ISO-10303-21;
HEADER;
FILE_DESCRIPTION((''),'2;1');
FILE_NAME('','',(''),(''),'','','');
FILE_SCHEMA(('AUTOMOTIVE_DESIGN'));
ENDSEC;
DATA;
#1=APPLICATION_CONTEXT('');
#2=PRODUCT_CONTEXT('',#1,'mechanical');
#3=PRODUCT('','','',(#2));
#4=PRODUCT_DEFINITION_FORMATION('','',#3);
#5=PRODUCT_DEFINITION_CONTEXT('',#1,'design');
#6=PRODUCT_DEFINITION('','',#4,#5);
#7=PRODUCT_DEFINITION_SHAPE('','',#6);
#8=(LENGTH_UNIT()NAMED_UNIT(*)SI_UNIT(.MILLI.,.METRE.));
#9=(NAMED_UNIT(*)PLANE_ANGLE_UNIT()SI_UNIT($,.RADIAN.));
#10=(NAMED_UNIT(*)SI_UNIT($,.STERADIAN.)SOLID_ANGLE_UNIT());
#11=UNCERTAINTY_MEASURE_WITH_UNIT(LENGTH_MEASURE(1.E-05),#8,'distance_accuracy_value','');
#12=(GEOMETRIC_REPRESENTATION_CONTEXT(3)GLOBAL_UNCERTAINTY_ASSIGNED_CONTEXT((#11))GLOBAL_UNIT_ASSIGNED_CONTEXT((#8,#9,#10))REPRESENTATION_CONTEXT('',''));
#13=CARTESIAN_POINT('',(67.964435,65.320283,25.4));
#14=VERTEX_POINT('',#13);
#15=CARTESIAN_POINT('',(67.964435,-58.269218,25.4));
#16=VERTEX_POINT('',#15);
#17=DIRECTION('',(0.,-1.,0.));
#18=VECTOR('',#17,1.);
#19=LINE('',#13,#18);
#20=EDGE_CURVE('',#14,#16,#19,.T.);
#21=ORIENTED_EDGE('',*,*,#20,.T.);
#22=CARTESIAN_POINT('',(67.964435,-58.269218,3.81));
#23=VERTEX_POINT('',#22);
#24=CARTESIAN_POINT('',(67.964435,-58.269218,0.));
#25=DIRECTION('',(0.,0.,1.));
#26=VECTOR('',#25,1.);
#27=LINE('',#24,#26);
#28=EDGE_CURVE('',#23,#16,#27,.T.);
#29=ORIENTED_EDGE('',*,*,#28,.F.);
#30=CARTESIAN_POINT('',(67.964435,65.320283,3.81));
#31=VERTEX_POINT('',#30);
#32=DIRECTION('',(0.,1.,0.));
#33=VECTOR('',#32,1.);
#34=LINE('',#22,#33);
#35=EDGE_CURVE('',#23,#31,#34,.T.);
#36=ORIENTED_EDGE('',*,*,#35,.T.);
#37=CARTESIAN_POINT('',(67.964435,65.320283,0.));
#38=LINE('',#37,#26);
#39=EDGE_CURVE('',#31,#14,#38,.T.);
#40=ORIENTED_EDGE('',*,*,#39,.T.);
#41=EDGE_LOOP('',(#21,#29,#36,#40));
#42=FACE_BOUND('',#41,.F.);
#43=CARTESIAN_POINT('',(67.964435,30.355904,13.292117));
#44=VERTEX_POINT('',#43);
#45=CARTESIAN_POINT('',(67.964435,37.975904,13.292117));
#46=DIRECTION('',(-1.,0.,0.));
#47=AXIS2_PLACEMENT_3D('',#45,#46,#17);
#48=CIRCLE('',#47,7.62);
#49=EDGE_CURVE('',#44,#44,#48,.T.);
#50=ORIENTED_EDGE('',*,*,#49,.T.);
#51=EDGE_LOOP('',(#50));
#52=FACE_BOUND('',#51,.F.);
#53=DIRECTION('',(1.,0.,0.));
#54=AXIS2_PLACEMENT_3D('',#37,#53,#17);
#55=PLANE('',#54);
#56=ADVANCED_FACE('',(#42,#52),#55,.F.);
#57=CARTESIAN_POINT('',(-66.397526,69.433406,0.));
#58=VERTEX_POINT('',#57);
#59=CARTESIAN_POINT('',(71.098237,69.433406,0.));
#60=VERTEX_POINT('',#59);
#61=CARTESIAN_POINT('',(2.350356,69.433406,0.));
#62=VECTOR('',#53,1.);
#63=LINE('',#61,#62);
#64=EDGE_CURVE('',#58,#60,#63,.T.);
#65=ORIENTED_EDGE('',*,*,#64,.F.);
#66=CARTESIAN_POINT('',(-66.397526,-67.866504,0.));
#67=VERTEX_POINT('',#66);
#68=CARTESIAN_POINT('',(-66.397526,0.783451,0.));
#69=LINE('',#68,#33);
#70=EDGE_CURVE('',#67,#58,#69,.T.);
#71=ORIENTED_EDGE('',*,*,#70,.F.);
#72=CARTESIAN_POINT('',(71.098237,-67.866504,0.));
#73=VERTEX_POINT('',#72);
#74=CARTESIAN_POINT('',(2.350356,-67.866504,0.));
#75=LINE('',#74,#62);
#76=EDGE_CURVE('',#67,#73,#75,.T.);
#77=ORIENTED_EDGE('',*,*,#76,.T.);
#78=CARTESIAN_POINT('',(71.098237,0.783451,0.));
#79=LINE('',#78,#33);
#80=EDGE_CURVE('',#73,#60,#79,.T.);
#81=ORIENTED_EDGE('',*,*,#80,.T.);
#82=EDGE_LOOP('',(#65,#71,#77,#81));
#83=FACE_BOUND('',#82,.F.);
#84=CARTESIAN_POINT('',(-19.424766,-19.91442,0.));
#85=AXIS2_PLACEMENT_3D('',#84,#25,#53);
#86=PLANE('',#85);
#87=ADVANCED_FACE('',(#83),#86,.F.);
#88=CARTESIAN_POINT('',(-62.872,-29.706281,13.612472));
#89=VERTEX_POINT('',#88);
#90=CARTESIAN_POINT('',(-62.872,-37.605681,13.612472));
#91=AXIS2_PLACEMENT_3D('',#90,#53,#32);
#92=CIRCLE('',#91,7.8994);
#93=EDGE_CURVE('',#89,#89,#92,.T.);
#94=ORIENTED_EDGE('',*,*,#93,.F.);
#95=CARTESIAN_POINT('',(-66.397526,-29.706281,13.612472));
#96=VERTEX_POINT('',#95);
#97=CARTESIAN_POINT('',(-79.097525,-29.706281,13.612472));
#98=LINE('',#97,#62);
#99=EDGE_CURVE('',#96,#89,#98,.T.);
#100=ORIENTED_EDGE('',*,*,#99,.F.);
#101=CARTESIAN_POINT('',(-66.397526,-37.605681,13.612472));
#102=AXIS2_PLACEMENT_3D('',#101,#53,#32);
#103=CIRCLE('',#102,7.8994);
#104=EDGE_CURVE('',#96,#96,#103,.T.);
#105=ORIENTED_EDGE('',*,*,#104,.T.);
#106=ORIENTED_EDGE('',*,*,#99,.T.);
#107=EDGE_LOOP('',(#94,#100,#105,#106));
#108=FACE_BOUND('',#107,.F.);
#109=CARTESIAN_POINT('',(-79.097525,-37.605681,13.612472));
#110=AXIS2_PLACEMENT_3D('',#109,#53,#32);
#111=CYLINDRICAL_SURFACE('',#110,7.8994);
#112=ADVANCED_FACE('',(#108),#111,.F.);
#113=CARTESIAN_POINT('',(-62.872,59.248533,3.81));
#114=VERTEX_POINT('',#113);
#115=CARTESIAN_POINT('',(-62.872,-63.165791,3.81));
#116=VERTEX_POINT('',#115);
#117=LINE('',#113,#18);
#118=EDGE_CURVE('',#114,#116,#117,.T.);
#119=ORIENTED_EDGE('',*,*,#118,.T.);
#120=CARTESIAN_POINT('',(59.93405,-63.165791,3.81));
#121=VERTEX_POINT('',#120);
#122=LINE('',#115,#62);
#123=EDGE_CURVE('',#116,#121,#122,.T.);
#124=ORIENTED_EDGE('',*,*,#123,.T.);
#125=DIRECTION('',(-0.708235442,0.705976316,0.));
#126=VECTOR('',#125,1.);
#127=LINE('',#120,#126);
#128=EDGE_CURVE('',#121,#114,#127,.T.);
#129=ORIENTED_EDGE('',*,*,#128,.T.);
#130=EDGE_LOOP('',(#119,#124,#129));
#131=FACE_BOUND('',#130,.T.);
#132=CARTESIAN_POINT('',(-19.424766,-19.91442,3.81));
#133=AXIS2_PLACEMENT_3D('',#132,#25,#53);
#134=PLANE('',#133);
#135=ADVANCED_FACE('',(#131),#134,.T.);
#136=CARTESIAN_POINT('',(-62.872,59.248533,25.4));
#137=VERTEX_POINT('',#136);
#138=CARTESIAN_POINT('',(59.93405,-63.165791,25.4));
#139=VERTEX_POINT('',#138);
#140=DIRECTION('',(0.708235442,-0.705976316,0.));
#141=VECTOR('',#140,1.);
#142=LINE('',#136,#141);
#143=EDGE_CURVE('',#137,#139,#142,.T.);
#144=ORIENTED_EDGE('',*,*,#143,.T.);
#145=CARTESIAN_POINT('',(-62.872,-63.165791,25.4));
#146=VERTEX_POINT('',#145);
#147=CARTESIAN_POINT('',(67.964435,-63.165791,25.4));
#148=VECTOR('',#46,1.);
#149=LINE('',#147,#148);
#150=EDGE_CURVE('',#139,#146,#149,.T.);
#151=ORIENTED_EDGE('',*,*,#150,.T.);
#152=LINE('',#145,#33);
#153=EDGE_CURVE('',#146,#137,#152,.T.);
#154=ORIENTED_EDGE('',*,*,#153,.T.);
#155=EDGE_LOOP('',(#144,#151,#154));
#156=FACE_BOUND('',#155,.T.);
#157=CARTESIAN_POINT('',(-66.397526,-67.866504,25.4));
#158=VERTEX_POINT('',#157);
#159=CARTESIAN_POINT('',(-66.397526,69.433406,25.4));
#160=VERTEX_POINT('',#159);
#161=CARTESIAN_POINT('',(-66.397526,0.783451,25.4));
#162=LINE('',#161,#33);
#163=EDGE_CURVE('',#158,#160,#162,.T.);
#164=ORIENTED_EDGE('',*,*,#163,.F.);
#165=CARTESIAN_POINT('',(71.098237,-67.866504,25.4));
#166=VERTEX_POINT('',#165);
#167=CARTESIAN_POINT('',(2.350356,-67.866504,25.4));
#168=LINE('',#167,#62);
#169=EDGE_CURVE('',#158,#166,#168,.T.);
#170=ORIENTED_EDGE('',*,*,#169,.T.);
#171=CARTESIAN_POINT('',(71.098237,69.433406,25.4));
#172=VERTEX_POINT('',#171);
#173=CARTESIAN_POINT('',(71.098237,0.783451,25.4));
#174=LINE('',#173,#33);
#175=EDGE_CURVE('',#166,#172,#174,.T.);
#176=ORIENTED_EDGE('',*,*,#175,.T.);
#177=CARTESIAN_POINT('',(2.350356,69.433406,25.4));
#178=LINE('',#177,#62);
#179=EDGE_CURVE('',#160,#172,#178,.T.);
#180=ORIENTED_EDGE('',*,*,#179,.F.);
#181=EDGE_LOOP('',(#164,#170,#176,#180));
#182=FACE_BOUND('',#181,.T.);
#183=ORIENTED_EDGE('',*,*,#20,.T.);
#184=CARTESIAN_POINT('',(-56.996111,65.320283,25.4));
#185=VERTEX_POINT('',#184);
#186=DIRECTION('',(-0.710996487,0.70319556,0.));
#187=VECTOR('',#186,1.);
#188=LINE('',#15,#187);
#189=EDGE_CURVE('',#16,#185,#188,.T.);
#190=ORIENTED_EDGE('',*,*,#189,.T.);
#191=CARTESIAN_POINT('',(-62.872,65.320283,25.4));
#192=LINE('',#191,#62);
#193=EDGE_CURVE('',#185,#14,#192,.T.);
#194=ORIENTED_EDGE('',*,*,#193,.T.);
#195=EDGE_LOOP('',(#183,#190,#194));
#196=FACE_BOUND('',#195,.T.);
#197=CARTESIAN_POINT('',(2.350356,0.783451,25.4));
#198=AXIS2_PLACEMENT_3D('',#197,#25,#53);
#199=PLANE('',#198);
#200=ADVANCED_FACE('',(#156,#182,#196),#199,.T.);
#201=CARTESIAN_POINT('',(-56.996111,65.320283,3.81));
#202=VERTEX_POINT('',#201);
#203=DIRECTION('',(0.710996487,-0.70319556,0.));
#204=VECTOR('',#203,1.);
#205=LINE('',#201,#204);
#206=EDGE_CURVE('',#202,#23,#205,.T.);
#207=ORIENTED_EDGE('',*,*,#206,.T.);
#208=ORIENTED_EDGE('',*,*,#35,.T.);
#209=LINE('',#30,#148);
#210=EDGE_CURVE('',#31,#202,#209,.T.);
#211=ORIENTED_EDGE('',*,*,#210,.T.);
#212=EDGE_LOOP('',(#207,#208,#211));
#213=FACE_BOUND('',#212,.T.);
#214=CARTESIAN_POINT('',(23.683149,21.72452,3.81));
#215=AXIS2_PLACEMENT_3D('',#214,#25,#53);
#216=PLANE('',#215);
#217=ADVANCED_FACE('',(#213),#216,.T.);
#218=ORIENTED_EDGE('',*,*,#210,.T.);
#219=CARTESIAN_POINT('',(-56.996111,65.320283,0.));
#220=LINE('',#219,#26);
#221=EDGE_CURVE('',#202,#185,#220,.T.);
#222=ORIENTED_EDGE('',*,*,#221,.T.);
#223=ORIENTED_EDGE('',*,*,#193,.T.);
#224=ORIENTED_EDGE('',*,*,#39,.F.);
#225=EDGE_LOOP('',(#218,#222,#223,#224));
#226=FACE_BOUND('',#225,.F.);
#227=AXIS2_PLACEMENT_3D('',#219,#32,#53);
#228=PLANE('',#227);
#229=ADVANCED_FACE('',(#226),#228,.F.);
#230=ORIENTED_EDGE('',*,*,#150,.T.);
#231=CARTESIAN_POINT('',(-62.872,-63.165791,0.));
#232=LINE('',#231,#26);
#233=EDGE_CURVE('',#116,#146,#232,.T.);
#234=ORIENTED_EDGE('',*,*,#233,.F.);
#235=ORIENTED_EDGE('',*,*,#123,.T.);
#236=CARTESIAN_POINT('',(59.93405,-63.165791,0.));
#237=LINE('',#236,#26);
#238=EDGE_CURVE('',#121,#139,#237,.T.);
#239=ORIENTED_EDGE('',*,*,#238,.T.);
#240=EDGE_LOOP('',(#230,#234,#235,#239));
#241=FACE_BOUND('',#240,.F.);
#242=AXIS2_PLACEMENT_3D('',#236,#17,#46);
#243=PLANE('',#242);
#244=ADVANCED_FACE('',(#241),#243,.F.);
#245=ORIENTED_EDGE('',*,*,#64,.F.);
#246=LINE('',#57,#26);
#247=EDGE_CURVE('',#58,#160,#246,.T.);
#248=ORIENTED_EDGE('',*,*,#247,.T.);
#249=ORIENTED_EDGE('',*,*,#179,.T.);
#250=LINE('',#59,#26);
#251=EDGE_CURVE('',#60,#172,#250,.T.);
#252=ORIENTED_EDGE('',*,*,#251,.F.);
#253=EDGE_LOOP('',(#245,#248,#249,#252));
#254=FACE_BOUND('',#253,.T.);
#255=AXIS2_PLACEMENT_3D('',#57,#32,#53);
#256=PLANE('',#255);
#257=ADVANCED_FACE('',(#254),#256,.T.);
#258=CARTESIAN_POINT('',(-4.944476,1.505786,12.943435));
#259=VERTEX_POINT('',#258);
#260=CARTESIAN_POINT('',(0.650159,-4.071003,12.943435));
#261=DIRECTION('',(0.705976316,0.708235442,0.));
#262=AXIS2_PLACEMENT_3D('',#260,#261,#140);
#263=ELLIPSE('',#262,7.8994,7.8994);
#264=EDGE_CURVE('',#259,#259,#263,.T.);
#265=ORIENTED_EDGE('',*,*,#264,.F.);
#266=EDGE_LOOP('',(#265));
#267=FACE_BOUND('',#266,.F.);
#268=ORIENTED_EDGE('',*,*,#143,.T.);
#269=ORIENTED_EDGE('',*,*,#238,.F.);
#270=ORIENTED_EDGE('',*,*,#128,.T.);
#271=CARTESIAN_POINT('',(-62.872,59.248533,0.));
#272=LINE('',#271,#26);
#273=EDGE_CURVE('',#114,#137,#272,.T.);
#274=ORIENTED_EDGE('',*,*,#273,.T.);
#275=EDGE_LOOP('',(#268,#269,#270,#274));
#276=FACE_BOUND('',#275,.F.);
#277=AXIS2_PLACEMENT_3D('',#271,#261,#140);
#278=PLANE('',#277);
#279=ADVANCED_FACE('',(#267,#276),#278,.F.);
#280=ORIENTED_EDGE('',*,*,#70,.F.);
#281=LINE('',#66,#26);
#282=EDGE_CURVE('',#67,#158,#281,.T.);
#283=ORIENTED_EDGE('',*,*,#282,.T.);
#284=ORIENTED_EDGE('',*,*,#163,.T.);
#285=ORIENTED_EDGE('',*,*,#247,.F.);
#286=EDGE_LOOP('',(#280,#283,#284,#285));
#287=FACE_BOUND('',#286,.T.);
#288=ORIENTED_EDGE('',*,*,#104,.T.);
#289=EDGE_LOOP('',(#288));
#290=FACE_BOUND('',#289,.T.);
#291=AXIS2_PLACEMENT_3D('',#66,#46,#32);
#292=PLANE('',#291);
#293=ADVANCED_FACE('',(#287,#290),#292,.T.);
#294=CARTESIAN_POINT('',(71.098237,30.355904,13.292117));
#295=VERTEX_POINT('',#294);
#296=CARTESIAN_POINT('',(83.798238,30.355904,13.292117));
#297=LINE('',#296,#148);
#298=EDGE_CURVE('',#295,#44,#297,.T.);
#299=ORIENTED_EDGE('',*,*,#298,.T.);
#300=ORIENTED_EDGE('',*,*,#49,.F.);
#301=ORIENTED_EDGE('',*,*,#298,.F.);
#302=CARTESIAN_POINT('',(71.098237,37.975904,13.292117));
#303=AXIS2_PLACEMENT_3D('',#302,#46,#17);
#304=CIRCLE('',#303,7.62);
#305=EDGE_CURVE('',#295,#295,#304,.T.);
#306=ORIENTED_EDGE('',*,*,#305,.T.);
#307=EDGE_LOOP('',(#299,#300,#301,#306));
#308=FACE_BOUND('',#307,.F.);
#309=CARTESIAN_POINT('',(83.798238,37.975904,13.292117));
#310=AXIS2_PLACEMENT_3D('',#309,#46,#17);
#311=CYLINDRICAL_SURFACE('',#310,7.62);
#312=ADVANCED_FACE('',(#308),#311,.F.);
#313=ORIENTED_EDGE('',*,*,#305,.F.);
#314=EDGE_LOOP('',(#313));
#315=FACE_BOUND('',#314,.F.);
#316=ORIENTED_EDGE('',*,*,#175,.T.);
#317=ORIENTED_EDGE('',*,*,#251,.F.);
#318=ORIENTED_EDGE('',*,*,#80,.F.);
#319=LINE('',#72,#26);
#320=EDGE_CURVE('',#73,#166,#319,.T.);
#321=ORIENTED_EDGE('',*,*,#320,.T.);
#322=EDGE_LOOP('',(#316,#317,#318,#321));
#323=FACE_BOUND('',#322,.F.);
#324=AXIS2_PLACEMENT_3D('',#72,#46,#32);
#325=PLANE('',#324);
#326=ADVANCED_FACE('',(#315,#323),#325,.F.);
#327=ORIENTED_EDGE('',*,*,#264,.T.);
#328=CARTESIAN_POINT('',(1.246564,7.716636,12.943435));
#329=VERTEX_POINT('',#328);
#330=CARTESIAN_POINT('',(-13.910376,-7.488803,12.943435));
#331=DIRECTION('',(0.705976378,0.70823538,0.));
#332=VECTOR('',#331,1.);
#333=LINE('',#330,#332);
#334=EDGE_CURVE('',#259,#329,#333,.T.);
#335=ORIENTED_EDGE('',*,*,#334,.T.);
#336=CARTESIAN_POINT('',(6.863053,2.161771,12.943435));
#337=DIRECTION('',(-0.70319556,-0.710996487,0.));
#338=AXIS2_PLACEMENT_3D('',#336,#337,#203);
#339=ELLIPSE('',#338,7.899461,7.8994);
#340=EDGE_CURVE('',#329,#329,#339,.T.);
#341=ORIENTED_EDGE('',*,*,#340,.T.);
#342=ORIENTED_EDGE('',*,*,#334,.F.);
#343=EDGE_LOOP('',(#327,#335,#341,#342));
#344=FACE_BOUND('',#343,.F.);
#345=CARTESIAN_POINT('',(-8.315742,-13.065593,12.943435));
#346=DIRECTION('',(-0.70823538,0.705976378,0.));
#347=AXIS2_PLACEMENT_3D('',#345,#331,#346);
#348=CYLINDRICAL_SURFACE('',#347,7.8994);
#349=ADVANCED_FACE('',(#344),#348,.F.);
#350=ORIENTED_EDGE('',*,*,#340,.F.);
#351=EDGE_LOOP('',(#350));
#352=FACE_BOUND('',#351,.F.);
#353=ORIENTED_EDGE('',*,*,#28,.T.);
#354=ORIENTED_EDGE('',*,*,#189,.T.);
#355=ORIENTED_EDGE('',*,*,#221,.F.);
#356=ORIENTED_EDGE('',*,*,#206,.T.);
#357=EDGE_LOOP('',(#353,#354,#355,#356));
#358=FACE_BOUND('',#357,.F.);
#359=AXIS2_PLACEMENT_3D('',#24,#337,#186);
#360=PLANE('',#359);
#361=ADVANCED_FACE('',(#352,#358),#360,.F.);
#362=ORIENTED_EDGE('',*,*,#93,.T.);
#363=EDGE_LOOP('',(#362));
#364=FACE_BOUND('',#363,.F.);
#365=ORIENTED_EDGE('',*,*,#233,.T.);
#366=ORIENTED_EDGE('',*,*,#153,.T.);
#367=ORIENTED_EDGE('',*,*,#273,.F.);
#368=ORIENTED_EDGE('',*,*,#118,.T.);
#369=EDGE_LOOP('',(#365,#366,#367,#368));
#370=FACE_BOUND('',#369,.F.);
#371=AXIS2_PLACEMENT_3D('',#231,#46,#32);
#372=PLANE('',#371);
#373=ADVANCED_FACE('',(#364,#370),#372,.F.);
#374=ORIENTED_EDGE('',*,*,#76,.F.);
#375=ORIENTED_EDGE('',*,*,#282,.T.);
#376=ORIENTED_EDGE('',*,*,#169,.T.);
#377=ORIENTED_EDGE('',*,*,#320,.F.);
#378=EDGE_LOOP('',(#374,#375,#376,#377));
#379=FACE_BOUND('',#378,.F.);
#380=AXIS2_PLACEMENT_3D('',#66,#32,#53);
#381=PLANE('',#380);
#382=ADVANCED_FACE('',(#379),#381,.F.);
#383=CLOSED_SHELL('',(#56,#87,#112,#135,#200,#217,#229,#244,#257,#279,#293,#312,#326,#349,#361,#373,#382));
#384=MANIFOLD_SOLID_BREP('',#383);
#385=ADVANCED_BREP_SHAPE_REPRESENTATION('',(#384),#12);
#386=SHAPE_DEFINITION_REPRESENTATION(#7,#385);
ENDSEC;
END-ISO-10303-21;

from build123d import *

# Parameters (mm, degrees)
F0_W     = 137.495763
F0_H     = 137.29991
F1_DEPTH = 25.4
F2_DEPTH = 3.81
F3_DEPTH = 3.81
F5_D     = 15.24
F5_DEPTH = 12.7
F7_D     = 15.7988
F7_DEPTH = 12.7
F9_D     = 15.7988
F9_DEPTH = 12.7


with BuildPart() as f1:
    # F0 (on Top) → F1 (new body)
    with BuildSketch(Plane.XY):
        with Locations((2.350356, 0.783451)):
            Rectangle(F0_W, F0_H)
        Polygon((-62.872, 59.248533), (-62.872, 65.320283), (-56.996111, 65.320283), (67.964435, 65.320283), (67.964435, -58.269218), (67.964435, -63.165791), (59.93405, -63.165791), (-62.872, -63.165791), align=None, mode=Mode.SUBTRACT)
        Polygon((-56.996111, 65.320283), (-62.872, 65.320283), (-62.872, 59.248533), (59.93405, -63.165791), (67.964435, -63.165791), (67.964435, -58.269218), align=None)
    extrude(amount=F1_DEPTH)

    # F0 (on Top) → F2 (join)
    with BuildSketch(Plane.XY):
        Polygon((67.964435, 65.320283), (-56.996111, 65.320283), (67.964435, -58.269218), align=None)
    extrude(amount=F2_DEPTH)

    # F0 (on Top) → F3 (join)
    with BuildSketch(Plane.XY):
        Polygon((59.93405, -63.165791), (-62.872, 59.248533), (-62.872, -63.165791), align=None)
    extrude(amount=F3_DEPTH)

    # F5
    with Locations(Plane.YZ.offset(71.098238)):
        with Locations((37.975904, 13.292117)):
            Hole(F5_D / 2, depth=F5_DEPTH)

    # F7
    with Locations(Plane(origin=(-66.397525, 0, 0), x_dir=(0, -1, 0), z_dir=(-1, 0, 0))):
        with Locations((37.605681, 13.612472)):
            Hole(F7_D / 2, depth=F7_DEPTH)

    # F9
    with Locations(Plane(origin=(-1.711451, -1.716927, 0), x_dir=(0.708235, -0.705976, 0), z_dir=(-0.705976, -0.708235, 0))):
        with Locations((3.334498, 12.943435)):
            Hole(F9_D / 2, depth=F9_DEPTH)


solid = f1.part
